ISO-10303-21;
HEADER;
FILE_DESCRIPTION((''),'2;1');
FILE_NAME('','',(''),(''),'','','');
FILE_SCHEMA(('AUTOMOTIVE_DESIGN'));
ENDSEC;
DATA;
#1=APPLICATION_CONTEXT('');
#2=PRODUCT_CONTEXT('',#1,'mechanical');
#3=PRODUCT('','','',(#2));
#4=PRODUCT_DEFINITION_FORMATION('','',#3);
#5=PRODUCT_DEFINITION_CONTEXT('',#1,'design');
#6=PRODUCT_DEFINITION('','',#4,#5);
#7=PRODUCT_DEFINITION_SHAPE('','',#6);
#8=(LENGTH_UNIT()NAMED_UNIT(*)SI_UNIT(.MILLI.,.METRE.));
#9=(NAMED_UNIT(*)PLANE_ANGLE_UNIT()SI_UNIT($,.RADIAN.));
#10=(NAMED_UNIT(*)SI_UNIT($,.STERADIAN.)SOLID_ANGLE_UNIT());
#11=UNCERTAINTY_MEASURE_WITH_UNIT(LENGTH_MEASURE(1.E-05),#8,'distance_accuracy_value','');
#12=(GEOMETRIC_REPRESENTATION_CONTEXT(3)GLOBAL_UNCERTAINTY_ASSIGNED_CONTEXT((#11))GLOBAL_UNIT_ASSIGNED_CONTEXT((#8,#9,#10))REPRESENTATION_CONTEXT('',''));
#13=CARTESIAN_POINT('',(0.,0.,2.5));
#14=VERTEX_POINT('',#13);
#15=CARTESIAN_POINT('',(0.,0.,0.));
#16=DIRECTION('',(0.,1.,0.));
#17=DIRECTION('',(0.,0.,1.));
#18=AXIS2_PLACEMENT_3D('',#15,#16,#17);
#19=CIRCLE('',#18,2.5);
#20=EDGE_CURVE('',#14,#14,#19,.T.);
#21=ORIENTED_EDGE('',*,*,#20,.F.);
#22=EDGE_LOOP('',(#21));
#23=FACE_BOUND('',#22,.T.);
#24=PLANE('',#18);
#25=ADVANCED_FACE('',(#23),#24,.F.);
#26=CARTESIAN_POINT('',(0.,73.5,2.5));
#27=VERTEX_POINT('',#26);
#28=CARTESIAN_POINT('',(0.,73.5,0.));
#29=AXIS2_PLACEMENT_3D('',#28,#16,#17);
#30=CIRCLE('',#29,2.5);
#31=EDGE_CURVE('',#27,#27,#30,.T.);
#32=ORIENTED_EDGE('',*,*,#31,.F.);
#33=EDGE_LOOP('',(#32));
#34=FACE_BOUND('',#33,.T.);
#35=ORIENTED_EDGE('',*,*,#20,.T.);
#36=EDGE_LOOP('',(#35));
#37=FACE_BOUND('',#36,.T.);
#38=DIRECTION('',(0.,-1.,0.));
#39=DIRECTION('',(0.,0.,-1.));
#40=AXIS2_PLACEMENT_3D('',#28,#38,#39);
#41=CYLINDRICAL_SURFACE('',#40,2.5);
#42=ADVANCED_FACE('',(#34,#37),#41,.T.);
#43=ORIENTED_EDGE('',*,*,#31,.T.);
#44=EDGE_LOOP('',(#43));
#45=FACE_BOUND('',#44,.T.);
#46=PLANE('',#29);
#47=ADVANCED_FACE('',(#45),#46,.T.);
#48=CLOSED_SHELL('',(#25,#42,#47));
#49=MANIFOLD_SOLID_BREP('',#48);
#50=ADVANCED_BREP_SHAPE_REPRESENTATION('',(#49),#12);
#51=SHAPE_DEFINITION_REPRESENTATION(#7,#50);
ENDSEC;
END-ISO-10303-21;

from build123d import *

# Parameters (mm, degrees)
SKETCH1_R           = 2.5
BOSS_EXTRUDE1_DEPTH = 73.5


with BuildPart() as part:
    # Sketch1 → Boss-Extrude1 (new body)
    with BuildSketch(Plane(origin=(0, 0, 0), x_dir=(1, 0, 0), z_dir=(0, 1, 0))):
        Circle(SKETCH1_R)
    extrude(amount=BOSS_EXTRUDE1_DEPTH)


solid = part.part
